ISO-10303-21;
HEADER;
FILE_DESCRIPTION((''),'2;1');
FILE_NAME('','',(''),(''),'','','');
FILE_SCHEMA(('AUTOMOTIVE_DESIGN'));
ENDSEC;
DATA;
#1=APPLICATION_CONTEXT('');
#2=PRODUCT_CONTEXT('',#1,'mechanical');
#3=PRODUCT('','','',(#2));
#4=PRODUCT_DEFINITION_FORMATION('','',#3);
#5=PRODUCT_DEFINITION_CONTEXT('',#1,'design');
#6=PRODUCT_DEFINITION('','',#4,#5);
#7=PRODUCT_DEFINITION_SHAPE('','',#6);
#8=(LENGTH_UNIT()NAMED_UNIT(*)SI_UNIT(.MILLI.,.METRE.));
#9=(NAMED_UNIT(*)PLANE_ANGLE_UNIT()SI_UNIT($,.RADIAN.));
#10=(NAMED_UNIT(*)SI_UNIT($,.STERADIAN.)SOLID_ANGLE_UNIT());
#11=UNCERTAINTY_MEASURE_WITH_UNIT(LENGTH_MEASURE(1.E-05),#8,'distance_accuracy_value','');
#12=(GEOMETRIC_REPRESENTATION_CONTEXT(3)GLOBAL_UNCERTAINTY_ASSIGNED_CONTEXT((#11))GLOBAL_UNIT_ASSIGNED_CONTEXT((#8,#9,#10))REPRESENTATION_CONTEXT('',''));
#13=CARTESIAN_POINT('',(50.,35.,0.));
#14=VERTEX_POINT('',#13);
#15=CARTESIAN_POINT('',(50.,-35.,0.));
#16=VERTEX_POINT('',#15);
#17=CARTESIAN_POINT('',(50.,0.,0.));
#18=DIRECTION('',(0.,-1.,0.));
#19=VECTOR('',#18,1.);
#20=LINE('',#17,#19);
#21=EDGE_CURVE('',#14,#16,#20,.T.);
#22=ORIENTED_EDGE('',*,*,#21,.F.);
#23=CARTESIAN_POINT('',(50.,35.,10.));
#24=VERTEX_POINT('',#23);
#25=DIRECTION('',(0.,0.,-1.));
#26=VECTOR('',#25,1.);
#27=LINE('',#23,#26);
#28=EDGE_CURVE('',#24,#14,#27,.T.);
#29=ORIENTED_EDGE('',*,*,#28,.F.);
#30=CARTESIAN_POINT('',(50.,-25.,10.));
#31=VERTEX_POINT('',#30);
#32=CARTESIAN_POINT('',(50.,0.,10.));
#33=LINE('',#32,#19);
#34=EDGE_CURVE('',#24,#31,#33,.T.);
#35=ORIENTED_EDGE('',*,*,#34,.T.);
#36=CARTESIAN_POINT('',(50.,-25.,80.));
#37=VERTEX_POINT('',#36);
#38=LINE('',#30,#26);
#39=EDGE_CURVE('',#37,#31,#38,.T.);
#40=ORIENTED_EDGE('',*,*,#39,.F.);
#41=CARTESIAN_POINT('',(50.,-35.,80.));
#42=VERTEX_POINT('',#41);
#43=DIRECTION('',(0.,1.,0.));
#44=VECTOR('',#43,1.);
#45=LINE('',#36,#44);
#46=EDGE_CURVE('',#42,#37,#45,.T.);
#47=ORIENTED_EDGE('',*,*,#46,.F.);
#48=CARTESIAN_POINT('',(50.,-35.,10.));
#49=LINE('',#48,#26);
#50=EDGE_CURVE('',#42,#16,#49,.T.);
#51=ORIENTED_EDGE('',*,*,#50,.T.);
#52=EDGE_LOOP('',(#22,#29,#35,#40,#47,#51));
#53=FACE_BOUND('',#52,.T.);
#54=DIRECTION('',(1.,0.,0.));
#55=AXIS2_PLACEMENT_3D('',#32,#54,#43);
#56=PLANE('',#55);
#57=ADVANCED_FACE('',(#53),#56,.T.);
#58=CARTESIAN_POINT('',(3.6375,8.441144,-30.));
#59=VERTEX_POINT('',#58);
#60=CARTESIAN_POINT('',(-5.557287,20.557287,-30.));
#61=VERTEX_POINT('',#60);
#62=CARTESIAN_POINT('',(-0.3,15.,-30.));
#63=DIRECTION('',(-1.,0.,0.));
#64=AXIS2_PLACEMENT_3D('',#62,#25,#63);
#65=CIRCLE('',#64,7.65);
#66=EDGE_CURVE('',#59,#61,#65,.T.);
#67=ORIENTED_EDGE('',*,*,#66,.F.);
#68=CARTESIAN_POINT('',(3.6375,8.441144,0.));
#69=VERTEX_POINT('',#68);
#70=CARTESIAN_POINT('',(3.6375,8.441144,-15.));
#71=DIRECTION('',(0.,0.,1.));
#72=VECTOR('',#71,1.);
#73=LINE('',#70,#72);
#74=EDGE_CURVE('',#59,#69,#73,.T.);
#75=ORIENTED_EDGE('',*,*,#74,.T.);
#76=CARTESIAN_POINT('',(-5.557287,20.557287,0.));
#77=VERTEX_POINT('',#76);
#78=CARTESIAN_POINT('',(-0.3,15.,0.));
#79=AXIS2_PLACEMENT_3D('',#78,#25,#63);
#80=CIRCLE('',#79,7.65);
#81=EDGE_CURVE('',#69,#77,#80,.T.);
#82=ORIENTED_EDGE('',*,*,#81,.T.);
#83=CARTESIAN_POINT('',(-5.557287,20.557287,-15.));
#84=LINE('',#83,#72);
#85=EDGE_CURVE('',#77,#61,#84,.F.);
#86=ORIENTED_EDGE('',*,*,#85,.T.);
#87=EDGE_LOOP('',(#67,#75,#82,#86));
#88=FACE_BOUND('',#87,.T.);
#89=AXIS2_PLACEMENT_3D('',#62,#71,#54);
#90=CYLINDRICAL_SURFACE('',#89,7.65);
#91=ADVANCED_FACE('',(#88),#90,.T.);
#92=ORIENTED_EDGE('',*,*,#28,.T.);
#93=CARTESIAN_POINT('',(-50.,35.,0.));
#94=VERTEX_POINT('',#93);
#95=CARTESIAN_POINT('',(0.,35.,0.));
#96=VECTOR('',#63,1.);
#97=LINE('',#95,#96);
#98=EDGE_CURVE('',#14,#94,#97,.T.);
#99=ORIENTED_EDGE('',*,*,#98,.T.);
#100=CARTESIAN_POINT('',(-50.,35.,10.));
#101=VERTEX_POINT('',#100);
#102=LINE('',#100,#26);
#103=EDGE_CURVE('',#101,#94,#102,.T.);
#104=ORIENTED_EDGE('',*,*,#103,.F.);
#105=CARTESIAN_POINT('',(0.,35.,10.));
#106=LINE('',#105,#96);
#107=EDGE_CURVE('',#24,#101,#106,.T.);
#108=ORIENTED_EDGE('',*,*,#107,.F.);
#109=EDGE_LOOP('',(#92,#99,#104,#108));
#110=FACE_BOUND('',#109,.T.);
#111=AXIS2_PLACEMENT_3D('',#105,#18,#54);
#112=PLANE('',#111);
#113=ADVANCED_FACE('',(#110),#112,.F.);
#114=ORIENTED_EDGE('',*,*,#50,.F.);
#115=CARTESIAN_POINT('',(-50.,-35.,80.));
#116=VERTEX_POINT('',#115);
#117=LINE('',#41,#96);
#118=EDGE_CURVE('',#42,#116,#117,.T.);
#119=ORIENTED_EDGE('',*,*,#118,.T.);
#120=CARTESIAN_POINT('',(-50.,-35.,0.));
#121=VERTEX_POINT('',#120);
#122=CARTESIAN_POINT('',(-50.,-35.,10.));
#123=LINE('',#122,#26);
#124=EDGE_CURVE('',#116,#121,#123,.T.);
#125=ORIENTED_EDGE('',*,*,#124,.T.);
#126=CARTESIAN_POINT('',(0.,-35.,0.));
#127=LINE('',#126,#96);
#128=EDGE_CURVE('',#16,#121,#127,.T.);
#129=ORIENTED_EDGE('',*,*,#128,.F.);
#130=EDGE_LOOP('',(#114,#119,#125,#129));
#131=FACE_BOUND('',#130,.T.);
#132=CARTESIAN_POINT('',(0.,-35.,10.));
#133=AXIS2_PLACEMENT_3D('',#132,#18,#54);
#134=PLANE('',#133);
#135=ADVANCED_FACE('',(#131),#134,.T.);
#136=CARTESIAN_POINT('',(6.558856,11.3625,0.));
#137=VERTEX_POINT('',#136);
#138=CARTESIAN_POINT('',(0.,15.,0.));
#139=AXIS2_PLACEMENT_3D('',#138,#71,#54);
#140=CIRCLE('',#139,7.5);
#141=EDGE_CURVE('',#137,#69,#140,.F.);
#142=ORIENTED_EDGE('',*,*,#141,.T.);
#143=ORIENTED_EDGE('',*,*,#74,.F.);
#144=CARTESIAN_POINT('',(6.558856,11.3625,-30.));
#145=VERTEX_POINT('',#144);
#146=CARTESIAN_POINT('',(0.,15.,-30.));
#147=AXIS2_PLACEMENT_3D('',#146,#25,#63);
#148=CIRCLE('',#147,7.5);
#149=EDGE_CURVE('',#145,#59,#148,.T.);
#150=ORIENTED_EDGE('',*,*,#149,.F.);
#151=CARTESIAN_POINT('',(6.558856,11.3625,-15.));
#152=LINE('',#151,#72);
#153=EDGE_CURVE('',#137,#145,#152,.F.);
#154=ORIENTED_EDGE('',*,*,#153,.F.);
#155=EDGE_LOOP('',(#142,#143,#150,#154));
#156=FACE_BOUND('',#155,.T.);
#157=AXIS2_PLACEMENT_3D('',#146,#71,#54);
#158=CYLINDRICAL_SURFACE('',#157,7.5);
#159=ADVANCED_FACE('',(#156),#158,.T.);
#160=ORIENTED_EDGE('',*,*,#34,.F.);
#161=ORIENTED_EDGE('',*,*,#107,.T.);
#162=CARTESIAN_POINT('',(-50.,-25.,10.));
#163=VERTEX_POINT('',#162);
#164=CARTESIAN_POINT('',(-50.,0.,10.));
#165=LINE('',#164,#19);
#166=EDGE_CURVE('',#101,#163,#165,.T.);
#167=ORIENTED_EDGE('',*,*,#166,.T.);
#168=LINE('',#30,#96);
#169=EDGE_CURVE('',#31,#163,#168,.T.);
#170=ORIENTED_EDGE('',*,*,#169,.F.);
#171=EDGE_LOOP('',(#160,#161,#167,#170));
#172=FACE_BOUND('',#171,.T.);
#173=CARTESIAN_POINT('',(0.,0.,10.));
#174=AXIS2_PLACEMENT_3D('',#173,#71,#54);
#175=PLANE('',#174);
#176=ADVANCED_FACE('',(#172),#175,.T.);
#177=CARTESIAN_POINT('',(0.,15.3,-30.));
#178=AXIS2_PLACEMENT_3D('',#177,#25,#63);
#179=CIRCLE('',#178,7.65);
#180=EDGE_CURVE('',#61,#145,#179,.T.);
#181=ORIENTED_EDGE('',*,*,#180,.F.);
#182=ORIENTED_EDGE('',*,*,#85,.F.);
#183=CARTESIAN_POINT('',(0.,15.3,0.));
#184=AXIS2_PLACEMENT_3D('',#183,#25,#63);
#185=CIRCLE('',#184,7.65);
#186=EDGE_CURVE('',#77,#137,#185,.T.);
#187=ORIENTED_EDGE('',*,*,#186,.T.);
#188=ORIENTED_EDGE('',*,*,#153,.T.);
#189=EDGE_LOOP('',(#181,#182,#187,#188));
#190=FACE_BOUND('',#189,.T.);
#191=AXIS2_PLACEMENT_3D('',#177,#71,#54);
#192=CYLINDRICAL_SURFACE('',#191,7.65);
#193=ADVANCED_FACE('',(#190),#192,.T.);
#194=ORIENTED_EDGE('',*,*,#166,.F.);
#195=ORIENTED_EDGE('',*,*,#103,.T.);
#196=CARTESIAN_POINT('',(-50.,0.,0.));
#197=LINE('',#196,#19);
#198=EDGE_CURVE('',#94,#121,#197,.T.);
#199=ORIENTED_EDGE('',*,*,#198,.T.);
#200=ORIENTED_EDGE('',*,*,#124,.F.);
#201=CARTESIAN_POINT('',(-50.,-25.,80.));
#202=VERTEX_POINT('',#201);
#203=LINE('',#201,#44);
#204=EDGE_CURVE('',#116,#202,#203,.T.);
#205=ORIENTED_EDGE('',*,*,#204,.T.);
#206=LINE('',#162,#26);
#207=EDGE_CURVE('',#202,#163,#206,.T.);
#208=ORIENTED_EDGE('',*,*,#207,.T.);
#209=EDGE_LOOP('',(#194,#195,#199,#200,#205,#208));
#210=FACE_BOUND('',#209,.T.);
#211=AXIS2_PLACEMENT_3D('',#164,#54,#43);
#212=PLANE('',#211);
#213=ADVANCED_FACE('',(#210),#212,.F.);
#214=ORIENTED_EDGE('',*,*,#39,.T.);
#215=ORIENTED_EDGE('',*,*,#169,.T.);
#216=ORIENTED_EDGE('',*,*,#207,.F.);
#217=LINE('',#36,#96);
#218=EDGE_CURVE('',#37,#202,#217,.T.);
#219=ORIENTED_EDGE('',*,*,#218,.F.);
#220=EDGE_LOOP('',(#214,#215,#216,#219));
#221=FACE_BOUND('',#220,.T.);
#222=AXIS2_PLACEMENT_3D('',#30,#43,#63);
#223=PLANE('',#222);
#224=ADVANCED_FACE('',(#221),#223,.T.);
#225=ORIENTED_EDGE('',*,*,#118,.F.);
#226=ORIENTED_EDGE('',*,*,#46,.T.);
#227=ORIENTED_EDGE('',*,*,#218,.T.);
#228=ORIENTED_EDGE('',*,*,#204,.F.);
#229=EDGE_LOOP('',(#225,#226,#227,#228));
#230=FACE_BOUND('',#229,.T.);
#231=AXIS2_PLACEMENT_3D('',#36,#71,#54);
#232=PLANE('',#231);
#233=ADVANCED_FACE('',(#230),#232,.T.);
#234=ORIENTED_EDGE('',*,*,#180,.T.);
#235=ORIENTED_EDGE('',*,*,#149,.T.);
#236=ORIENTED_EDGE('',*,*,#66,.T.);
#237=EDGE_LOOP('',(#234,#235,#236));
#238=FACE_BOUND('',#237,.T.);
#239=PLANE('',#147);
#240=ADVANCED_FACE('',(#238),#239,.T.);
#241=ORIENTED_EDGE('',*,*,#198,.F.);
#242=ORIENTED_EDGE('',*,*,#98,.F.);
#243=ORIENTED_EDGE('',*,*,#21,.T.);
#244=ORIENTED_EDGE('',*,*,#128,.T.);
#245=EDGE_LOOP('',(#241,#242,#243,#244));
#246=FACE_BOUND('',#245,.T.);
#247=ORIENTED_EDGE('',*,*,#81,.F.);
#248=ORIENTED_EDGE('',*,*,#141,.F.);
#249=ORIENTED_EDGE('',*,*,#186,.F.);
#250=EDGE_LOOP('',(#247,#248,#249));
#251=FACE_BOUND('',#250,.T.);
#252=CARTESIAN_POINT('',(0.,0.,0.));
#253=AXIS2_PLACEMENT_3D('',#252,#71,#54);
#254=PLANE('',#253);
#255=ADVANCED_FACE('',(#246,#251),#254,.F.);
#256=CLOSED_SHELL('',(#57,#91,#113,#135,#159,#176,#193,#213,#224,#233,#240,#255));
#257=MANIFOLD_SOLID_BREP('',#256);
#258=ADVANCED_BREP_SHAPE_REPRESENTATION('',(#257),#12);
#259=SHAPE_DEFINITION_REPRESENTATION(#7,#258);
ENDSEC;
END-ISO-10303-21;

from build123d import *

# Parameters (mm, degrees)
SKETCH1_W           = 100
SKETCH1_H           = 70
BOSS_EXTRUDE1_DEPTH = 10
SKETCH2_W           = 70
SKETCH2_H           = 10
BOSS_EXTRUDE3_DEPTH = 100
SKETCH3_R           = 7.5
BOSS_EXTRUDE4_DEPTH = 30
SKETCH4_R           = 7.65
BOSS_EXTRUDE5_DEPTH = 30
SKETCH5_R           = 7.65
BOSS_EXTRUDE6_DEPTH = 30


with BuildPart() as part:
    # Sketch1 → Boss-Extrude1 (new body)
    with BuildSketch(Plane.XY):
        Rectangle(SKETCH1_W, SKETCH1_H)
    extrude(amount=BOSS_EXTRUDE1_DEPTH)

    # Sketch2 → Boss-Extrude3 (add)
    with BuildSketch(Plane.ZY.offset(50)):
        with Locations((45, -30)):
            Rectangle(SKETCH2_W, SKETCH2_H)
    extrude(amount=-BOSS_EXTRUDE3_DEPTH)

    # Sketch3 → Boss-Extrude4 (add)
    with BuildSketch(Plane(origin=(0, 0, 0), x_dir=(-1, 0, 0), z_dir=(0, 0, -1))):
        with Locations(Location((0, 15, 0), (0, 0, 180))):
            Circle(SKETCH3_R)
    extrude(amount=BOSS_EXTRUDE4_DEPTH)

    # Sketch4 → Boss-Extrude5 (add)
    with BuildSketch(Plane(origin=(0, 0, 0), x_dir=(-1, 0, 0), z_dir=(0, 0, -1))):
        with Locations((0, 15.3)):
            Circle(SKETCH4_R)
    extrude(amount=BOSS_EXTRUDE5_DEPTH)

    # Sketch5 → Boss-Extrude6 (add)
    with BuildSketch(Plane(origin=(0, 0, 0), x_dir=(-1, 0, 0), z_dir=(0, 0, -1))):
        with Locations((0.3, 15)):
            Circle(SKETCH5_R)
    extrude(amount=BOSS_EXTRUDE6_DEPTH)


solid = part.part
